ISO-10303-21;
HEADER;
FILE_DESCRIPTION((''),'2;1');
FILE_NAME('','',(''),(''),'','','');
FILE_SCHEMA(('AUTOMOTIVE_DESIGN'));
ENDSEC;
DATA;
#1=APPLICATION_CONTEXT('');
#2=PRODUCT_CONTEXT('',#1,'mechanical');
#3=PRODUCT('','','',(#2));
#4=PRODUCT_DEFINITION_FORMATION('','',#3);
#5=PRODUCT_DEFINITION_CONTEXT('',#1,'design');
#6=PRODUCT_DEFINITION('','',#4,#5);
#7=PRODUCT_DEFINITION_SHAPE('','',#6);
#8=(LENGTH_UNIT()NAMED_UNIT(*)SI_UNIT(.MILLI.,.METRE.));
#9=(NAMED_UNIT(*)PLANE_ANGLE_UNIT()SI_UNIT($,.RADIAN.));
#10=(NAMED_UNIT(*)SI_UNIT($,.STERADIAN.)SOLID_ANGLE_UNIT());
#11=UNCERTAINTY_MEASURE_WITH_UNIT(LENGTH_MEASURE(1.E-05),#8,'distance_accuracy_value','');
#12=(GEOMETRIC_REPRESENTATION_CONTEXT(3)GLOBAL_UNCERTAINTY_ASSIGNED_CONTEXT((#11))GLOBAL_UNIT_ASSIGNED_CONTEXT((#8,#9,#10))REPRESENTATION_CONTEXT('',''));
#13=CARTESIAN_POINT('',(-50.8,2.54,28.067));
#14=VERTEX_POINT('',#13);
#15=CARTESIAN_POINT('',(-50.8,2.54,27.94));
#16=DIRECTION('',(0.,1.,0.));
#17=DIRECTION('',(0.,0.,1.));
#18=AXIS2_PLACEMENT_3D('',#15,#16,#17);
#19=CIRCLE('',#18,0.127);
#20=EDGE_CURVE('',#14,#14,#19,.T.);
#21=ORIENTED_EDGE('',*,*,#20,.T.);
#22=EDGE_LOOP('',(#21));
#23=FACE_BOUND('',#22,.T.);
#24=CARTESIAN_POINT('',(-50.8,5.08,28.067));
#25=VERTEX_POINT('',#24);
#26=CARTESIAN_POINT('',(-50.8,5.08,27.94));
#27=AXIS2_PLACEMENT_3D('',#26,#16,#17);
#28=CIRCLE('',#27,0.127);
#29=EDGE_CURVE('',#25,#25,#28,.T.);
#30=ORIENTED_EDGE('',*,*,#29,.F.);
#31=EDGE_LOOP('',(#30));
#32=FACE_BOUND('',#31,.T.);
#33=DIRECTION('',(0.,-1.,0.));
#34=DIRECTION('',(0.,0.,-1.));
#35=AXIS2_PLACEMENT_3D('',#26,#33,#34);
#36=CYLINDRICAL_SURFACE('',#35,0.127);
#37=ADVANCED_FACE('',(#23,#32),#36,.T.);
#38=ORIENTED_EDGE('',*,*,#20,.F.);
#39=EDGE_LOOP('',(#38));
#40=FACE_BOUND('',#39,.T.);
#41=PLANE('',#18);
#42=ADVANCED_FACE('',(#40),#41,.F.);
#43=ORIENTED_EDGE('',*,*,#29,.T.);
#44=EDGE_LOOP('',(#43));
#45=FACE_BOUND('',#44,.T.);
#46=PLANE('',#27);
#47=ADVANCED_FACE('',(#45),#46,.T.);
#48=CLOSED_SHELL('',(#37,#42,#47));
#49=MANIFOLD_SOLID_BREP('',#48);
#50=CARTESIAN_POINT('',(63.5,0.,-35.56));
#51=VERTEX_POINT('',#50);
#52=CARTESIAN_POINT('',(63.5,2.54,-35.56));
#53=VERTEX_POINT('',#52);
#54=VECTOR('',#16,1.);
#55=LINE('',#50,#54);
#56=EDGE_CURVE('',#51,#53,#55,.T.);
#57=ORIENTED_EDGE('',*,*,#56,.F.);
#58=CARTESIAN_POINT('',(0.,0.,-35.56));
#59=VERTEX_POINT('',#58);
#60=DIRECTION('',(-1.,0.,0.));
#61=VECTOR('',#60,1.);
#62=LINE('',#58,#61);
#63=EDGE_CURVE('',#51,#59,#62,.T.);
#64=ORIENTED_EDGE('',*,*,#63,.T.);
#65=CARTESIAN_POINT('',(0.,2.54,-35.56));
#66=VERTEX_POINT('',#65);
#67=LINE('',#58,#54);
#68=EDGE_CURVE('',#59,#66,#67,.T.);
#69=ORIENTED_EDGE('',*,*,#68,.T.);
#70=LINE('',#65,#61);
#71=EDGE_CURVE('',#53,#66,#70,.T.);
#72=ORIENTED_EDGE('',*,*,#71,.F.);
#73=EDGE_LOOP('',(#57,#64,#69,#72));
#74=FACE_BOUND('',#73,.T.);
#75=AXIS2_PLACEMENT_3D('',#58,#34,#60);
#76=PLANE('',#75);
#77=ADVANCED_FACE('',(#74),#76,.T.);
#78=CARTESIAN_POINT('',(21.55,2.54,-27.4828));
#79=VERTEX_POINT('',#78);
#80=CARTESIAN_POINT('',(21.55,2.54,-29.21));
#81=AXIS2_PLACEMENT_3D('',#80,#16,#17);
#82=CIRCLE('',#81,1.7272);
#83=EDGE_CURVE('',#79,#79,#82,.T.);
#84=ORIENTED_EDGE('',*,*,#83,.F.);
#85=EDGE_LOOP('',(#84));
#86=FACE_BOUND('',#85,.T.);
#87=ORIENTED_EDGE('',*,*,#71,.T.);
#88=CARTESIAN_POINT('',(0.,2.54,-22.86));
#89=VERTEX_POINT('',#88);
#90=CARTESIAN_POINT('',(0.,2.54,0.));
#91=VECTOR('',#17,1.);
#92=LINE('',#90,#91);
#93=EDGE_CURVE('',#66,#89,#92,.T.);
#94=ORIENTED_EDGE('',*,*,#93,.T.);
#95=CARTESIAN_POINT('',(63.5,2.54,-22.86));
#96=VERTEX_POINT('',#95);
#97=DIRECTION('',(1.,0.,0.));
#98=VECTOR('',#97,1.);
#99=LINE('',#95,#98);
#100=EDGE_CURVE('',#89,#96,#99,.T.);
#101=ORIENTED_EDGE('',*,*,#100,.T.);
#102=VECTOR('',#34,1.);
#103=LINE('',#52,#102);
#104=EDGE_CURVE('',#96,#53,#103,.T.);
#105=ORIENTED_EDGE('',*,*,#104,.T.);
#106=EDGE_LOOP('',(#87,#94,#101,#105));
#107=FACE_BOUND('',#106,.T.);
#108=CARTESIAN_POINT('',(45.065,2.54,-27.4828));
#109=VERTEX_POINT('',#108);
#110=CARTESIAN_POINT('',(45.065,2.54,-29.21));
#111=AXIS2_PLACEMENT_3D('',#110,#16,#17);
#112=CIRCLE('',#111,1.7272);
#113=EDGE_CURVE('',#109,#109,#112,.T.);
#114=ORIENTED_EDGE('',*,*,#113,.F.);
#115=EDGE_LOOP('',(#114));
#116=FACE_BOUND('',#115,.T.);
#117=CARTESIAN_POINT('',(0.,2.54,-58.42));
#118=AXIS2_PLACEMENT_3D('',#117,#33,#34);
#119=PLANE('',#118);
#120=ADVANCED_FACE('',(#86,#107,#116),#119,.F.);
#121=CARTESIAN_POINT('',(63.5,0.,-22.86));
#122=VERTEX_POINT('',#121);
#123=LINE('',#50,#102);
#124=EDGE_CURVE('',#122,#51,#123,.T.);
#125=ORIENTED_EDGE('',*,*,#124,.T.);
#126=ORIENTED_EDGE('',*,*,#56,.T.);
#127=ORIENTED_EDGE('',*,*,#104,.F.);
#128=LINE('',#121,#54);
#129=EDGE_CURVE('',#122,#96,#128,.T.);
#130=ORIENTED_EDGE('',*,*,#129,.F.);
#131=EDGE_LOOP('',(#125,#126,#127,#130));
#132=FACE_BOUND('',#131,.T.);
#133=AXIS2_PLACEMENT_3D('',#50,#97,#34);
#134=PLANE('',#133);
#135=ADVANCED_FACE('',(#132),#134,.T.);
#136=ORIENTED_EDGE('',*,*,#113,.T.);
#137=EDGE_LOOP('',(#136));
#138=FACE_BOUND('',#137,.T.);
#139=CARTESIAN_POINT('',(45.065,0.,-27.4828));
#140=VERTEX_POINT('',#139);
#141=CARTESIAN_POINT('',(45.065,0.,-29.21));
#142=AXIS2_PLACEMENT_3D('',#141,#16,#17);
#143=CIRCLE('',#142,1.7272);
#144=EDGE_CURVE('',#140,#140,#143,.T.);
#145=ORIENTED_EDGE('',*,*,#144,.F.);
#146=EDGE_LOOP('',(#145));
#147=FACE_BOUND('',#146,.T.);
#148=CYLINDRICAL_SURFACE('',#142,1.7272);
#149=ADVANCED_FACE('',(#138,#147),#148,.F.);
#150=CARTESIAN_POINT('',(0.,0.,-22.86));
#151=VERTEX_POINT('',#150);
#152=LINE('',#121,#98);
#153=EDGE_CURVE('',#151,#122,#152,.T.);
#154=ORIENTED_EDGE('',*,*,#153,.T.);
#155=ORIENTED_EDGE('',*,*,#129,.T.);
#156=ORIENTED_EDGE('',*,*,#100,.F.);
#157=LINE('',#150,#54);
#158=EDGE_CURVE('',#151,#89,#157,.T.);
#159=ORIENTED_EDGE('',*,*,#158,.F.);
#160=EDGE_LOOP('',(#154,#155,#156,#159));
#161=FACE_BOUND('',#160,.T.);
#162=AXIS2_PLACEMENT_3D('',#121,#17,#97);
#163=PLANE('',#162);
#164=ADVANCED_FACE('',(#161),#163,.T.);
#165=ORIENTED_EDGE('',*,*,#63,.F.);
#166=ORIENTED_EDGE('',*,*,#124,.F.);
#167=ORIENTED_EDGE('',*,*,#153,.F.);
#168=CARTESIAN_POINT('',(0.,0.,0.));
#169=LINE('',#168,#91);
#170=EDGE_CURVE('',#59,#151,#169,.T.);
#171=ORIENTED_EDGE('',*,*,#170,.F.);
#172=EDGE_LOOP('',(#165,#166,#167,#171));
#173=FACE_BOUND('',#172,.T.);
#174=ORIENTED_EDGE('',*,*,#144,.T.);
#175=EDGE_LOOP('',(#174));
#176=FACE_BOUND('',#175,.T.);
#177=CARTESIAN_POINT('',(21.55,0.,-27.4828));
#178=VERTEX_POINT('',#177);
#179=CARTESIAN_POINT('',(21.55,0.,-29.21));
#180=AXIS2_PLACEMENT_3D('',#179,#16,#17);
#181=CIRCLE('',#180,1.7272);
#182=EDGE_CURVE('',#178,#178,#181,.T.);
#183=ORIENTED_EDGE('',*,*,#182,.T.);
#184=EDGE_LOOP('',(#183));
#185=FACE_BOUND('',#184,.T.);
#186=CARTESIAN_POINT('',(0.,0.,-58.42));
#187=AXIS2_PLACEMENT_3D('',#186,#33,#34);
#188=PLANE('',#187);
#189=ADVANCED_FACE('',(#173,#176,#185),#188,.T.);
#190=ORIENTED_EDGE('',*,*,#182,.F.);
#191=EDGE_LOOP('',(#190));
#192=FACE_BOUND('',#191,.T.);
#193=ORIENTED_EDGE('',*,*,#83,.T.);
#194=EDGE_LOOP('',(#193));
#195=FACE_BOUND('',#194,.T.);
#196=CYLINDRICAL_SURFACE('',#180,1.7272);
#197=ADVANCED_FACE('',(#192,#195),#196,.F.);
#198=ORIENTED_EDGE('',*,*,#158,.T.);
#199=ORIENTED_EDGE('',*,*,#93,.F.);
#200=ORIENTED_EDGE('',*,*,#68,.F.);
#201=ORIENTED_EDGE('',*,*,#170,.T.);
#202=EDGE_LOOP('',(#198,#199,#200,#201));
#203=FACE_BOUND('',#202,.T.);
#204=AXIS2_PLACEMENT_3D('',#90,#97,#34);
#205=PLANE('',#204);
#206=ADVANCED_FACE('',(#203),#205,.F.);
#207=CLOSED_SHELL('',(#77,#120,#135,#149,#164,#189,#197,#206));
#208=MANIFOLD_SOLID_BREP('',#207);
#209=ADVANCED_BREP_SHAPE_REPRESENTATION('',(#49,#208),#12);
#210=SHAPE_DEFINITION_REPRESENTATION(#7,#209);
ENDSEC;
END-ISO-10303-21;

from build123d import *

# Parameters (mm, degrees)
SKETCH1_W           = 107.95
SKETCH1_H           = 58.42
BOSS_EXTRUDE1_DEPTH = 2.54
SKETCH3_OUTSIDE_W   = 134.504
SKETCH3_OUTSIDE_H   = 84.974
SKETCH3_OUTSIDE_W_2 = 63.5
SKETCH3_OUTSIDE_H_2 = 12.7
CUT_EXTRUDE1_DEPTH  = 2.54
SKETCH4_R           = 1.7272
CUT_EXTRUDE2_DEPTH  = 2.54
SKETCH5_R           = 0.127
BOSS_EXTRUDE2_DEPTH = 2.54


with BuildPart() as part:
    # Sketch1 → Boss-Extrude1 (new body)
    with BuildSketch(Plane(origin=(0, 0, 0), x_dir=(1, 0, 0), z_dir=(0, 1, 0))):
        with Locations((53.975, 29.21)):
            Rectangle(SKETCH1_W, SKETCH1_H)
    extrude(amount=BOSS_EXTRUDE1_DEPTH)

    # Sketch3 outside → Cut-Extrude1 (cut)
    with BuildSketch(Plane(origin=(0, 2.54, 0), x_dir=(1, 0, 0), z_dir=(0, 1, 0))):
        with Locations((53.975, 29.21)):
            Rectangle(SKETCH3_OUTSIDE_W, SKETCH3_OUTSIDE_H)
        with Locations((31.75, 29.21)):
            Rectangle(SKETCH3_OUTSIDE_W_2, SKETCH3_OUTSIDE_H_2, mode=Mode.SUBTRACT)
    extrude(amount=-CUT_EXTRUDE1_DEPTH, mode=Mode.SUBTRACT)

    # Sketch4 → Cut-Extrude2 (cut)
    with BuildSketch(Plane(origin=(0, 2.54, 0), x_dir=(-1, 0, 0), z_dir=(0, 1, 0))):
        with Locations((-45.065, -29.21)):
            Circle(SKETCH4_R)
        with Locations((-21.55, -29.21)):
            Circle(SKETCH4_R)
    extrude(amount=-CUT_EXTRUDE2_DEPTH, mode=Mode.SUBTRACT)


with BuildPart() as body_2:
    # Sketch5 → Boss-Extrude2 (new body)
    with BuildSketch(Plane(origin=(0, 2.54, 0), x_dir=(1, 0, 0), z_dir=(0, 1, 0))):
        with Locations((-50.8, -27.94)):
            Circle(SKETCH5_R)
    extrude(amount=BOSS_EXTRUDE2_DEPTH)


solid = Compound([part.part, body_2.part])
